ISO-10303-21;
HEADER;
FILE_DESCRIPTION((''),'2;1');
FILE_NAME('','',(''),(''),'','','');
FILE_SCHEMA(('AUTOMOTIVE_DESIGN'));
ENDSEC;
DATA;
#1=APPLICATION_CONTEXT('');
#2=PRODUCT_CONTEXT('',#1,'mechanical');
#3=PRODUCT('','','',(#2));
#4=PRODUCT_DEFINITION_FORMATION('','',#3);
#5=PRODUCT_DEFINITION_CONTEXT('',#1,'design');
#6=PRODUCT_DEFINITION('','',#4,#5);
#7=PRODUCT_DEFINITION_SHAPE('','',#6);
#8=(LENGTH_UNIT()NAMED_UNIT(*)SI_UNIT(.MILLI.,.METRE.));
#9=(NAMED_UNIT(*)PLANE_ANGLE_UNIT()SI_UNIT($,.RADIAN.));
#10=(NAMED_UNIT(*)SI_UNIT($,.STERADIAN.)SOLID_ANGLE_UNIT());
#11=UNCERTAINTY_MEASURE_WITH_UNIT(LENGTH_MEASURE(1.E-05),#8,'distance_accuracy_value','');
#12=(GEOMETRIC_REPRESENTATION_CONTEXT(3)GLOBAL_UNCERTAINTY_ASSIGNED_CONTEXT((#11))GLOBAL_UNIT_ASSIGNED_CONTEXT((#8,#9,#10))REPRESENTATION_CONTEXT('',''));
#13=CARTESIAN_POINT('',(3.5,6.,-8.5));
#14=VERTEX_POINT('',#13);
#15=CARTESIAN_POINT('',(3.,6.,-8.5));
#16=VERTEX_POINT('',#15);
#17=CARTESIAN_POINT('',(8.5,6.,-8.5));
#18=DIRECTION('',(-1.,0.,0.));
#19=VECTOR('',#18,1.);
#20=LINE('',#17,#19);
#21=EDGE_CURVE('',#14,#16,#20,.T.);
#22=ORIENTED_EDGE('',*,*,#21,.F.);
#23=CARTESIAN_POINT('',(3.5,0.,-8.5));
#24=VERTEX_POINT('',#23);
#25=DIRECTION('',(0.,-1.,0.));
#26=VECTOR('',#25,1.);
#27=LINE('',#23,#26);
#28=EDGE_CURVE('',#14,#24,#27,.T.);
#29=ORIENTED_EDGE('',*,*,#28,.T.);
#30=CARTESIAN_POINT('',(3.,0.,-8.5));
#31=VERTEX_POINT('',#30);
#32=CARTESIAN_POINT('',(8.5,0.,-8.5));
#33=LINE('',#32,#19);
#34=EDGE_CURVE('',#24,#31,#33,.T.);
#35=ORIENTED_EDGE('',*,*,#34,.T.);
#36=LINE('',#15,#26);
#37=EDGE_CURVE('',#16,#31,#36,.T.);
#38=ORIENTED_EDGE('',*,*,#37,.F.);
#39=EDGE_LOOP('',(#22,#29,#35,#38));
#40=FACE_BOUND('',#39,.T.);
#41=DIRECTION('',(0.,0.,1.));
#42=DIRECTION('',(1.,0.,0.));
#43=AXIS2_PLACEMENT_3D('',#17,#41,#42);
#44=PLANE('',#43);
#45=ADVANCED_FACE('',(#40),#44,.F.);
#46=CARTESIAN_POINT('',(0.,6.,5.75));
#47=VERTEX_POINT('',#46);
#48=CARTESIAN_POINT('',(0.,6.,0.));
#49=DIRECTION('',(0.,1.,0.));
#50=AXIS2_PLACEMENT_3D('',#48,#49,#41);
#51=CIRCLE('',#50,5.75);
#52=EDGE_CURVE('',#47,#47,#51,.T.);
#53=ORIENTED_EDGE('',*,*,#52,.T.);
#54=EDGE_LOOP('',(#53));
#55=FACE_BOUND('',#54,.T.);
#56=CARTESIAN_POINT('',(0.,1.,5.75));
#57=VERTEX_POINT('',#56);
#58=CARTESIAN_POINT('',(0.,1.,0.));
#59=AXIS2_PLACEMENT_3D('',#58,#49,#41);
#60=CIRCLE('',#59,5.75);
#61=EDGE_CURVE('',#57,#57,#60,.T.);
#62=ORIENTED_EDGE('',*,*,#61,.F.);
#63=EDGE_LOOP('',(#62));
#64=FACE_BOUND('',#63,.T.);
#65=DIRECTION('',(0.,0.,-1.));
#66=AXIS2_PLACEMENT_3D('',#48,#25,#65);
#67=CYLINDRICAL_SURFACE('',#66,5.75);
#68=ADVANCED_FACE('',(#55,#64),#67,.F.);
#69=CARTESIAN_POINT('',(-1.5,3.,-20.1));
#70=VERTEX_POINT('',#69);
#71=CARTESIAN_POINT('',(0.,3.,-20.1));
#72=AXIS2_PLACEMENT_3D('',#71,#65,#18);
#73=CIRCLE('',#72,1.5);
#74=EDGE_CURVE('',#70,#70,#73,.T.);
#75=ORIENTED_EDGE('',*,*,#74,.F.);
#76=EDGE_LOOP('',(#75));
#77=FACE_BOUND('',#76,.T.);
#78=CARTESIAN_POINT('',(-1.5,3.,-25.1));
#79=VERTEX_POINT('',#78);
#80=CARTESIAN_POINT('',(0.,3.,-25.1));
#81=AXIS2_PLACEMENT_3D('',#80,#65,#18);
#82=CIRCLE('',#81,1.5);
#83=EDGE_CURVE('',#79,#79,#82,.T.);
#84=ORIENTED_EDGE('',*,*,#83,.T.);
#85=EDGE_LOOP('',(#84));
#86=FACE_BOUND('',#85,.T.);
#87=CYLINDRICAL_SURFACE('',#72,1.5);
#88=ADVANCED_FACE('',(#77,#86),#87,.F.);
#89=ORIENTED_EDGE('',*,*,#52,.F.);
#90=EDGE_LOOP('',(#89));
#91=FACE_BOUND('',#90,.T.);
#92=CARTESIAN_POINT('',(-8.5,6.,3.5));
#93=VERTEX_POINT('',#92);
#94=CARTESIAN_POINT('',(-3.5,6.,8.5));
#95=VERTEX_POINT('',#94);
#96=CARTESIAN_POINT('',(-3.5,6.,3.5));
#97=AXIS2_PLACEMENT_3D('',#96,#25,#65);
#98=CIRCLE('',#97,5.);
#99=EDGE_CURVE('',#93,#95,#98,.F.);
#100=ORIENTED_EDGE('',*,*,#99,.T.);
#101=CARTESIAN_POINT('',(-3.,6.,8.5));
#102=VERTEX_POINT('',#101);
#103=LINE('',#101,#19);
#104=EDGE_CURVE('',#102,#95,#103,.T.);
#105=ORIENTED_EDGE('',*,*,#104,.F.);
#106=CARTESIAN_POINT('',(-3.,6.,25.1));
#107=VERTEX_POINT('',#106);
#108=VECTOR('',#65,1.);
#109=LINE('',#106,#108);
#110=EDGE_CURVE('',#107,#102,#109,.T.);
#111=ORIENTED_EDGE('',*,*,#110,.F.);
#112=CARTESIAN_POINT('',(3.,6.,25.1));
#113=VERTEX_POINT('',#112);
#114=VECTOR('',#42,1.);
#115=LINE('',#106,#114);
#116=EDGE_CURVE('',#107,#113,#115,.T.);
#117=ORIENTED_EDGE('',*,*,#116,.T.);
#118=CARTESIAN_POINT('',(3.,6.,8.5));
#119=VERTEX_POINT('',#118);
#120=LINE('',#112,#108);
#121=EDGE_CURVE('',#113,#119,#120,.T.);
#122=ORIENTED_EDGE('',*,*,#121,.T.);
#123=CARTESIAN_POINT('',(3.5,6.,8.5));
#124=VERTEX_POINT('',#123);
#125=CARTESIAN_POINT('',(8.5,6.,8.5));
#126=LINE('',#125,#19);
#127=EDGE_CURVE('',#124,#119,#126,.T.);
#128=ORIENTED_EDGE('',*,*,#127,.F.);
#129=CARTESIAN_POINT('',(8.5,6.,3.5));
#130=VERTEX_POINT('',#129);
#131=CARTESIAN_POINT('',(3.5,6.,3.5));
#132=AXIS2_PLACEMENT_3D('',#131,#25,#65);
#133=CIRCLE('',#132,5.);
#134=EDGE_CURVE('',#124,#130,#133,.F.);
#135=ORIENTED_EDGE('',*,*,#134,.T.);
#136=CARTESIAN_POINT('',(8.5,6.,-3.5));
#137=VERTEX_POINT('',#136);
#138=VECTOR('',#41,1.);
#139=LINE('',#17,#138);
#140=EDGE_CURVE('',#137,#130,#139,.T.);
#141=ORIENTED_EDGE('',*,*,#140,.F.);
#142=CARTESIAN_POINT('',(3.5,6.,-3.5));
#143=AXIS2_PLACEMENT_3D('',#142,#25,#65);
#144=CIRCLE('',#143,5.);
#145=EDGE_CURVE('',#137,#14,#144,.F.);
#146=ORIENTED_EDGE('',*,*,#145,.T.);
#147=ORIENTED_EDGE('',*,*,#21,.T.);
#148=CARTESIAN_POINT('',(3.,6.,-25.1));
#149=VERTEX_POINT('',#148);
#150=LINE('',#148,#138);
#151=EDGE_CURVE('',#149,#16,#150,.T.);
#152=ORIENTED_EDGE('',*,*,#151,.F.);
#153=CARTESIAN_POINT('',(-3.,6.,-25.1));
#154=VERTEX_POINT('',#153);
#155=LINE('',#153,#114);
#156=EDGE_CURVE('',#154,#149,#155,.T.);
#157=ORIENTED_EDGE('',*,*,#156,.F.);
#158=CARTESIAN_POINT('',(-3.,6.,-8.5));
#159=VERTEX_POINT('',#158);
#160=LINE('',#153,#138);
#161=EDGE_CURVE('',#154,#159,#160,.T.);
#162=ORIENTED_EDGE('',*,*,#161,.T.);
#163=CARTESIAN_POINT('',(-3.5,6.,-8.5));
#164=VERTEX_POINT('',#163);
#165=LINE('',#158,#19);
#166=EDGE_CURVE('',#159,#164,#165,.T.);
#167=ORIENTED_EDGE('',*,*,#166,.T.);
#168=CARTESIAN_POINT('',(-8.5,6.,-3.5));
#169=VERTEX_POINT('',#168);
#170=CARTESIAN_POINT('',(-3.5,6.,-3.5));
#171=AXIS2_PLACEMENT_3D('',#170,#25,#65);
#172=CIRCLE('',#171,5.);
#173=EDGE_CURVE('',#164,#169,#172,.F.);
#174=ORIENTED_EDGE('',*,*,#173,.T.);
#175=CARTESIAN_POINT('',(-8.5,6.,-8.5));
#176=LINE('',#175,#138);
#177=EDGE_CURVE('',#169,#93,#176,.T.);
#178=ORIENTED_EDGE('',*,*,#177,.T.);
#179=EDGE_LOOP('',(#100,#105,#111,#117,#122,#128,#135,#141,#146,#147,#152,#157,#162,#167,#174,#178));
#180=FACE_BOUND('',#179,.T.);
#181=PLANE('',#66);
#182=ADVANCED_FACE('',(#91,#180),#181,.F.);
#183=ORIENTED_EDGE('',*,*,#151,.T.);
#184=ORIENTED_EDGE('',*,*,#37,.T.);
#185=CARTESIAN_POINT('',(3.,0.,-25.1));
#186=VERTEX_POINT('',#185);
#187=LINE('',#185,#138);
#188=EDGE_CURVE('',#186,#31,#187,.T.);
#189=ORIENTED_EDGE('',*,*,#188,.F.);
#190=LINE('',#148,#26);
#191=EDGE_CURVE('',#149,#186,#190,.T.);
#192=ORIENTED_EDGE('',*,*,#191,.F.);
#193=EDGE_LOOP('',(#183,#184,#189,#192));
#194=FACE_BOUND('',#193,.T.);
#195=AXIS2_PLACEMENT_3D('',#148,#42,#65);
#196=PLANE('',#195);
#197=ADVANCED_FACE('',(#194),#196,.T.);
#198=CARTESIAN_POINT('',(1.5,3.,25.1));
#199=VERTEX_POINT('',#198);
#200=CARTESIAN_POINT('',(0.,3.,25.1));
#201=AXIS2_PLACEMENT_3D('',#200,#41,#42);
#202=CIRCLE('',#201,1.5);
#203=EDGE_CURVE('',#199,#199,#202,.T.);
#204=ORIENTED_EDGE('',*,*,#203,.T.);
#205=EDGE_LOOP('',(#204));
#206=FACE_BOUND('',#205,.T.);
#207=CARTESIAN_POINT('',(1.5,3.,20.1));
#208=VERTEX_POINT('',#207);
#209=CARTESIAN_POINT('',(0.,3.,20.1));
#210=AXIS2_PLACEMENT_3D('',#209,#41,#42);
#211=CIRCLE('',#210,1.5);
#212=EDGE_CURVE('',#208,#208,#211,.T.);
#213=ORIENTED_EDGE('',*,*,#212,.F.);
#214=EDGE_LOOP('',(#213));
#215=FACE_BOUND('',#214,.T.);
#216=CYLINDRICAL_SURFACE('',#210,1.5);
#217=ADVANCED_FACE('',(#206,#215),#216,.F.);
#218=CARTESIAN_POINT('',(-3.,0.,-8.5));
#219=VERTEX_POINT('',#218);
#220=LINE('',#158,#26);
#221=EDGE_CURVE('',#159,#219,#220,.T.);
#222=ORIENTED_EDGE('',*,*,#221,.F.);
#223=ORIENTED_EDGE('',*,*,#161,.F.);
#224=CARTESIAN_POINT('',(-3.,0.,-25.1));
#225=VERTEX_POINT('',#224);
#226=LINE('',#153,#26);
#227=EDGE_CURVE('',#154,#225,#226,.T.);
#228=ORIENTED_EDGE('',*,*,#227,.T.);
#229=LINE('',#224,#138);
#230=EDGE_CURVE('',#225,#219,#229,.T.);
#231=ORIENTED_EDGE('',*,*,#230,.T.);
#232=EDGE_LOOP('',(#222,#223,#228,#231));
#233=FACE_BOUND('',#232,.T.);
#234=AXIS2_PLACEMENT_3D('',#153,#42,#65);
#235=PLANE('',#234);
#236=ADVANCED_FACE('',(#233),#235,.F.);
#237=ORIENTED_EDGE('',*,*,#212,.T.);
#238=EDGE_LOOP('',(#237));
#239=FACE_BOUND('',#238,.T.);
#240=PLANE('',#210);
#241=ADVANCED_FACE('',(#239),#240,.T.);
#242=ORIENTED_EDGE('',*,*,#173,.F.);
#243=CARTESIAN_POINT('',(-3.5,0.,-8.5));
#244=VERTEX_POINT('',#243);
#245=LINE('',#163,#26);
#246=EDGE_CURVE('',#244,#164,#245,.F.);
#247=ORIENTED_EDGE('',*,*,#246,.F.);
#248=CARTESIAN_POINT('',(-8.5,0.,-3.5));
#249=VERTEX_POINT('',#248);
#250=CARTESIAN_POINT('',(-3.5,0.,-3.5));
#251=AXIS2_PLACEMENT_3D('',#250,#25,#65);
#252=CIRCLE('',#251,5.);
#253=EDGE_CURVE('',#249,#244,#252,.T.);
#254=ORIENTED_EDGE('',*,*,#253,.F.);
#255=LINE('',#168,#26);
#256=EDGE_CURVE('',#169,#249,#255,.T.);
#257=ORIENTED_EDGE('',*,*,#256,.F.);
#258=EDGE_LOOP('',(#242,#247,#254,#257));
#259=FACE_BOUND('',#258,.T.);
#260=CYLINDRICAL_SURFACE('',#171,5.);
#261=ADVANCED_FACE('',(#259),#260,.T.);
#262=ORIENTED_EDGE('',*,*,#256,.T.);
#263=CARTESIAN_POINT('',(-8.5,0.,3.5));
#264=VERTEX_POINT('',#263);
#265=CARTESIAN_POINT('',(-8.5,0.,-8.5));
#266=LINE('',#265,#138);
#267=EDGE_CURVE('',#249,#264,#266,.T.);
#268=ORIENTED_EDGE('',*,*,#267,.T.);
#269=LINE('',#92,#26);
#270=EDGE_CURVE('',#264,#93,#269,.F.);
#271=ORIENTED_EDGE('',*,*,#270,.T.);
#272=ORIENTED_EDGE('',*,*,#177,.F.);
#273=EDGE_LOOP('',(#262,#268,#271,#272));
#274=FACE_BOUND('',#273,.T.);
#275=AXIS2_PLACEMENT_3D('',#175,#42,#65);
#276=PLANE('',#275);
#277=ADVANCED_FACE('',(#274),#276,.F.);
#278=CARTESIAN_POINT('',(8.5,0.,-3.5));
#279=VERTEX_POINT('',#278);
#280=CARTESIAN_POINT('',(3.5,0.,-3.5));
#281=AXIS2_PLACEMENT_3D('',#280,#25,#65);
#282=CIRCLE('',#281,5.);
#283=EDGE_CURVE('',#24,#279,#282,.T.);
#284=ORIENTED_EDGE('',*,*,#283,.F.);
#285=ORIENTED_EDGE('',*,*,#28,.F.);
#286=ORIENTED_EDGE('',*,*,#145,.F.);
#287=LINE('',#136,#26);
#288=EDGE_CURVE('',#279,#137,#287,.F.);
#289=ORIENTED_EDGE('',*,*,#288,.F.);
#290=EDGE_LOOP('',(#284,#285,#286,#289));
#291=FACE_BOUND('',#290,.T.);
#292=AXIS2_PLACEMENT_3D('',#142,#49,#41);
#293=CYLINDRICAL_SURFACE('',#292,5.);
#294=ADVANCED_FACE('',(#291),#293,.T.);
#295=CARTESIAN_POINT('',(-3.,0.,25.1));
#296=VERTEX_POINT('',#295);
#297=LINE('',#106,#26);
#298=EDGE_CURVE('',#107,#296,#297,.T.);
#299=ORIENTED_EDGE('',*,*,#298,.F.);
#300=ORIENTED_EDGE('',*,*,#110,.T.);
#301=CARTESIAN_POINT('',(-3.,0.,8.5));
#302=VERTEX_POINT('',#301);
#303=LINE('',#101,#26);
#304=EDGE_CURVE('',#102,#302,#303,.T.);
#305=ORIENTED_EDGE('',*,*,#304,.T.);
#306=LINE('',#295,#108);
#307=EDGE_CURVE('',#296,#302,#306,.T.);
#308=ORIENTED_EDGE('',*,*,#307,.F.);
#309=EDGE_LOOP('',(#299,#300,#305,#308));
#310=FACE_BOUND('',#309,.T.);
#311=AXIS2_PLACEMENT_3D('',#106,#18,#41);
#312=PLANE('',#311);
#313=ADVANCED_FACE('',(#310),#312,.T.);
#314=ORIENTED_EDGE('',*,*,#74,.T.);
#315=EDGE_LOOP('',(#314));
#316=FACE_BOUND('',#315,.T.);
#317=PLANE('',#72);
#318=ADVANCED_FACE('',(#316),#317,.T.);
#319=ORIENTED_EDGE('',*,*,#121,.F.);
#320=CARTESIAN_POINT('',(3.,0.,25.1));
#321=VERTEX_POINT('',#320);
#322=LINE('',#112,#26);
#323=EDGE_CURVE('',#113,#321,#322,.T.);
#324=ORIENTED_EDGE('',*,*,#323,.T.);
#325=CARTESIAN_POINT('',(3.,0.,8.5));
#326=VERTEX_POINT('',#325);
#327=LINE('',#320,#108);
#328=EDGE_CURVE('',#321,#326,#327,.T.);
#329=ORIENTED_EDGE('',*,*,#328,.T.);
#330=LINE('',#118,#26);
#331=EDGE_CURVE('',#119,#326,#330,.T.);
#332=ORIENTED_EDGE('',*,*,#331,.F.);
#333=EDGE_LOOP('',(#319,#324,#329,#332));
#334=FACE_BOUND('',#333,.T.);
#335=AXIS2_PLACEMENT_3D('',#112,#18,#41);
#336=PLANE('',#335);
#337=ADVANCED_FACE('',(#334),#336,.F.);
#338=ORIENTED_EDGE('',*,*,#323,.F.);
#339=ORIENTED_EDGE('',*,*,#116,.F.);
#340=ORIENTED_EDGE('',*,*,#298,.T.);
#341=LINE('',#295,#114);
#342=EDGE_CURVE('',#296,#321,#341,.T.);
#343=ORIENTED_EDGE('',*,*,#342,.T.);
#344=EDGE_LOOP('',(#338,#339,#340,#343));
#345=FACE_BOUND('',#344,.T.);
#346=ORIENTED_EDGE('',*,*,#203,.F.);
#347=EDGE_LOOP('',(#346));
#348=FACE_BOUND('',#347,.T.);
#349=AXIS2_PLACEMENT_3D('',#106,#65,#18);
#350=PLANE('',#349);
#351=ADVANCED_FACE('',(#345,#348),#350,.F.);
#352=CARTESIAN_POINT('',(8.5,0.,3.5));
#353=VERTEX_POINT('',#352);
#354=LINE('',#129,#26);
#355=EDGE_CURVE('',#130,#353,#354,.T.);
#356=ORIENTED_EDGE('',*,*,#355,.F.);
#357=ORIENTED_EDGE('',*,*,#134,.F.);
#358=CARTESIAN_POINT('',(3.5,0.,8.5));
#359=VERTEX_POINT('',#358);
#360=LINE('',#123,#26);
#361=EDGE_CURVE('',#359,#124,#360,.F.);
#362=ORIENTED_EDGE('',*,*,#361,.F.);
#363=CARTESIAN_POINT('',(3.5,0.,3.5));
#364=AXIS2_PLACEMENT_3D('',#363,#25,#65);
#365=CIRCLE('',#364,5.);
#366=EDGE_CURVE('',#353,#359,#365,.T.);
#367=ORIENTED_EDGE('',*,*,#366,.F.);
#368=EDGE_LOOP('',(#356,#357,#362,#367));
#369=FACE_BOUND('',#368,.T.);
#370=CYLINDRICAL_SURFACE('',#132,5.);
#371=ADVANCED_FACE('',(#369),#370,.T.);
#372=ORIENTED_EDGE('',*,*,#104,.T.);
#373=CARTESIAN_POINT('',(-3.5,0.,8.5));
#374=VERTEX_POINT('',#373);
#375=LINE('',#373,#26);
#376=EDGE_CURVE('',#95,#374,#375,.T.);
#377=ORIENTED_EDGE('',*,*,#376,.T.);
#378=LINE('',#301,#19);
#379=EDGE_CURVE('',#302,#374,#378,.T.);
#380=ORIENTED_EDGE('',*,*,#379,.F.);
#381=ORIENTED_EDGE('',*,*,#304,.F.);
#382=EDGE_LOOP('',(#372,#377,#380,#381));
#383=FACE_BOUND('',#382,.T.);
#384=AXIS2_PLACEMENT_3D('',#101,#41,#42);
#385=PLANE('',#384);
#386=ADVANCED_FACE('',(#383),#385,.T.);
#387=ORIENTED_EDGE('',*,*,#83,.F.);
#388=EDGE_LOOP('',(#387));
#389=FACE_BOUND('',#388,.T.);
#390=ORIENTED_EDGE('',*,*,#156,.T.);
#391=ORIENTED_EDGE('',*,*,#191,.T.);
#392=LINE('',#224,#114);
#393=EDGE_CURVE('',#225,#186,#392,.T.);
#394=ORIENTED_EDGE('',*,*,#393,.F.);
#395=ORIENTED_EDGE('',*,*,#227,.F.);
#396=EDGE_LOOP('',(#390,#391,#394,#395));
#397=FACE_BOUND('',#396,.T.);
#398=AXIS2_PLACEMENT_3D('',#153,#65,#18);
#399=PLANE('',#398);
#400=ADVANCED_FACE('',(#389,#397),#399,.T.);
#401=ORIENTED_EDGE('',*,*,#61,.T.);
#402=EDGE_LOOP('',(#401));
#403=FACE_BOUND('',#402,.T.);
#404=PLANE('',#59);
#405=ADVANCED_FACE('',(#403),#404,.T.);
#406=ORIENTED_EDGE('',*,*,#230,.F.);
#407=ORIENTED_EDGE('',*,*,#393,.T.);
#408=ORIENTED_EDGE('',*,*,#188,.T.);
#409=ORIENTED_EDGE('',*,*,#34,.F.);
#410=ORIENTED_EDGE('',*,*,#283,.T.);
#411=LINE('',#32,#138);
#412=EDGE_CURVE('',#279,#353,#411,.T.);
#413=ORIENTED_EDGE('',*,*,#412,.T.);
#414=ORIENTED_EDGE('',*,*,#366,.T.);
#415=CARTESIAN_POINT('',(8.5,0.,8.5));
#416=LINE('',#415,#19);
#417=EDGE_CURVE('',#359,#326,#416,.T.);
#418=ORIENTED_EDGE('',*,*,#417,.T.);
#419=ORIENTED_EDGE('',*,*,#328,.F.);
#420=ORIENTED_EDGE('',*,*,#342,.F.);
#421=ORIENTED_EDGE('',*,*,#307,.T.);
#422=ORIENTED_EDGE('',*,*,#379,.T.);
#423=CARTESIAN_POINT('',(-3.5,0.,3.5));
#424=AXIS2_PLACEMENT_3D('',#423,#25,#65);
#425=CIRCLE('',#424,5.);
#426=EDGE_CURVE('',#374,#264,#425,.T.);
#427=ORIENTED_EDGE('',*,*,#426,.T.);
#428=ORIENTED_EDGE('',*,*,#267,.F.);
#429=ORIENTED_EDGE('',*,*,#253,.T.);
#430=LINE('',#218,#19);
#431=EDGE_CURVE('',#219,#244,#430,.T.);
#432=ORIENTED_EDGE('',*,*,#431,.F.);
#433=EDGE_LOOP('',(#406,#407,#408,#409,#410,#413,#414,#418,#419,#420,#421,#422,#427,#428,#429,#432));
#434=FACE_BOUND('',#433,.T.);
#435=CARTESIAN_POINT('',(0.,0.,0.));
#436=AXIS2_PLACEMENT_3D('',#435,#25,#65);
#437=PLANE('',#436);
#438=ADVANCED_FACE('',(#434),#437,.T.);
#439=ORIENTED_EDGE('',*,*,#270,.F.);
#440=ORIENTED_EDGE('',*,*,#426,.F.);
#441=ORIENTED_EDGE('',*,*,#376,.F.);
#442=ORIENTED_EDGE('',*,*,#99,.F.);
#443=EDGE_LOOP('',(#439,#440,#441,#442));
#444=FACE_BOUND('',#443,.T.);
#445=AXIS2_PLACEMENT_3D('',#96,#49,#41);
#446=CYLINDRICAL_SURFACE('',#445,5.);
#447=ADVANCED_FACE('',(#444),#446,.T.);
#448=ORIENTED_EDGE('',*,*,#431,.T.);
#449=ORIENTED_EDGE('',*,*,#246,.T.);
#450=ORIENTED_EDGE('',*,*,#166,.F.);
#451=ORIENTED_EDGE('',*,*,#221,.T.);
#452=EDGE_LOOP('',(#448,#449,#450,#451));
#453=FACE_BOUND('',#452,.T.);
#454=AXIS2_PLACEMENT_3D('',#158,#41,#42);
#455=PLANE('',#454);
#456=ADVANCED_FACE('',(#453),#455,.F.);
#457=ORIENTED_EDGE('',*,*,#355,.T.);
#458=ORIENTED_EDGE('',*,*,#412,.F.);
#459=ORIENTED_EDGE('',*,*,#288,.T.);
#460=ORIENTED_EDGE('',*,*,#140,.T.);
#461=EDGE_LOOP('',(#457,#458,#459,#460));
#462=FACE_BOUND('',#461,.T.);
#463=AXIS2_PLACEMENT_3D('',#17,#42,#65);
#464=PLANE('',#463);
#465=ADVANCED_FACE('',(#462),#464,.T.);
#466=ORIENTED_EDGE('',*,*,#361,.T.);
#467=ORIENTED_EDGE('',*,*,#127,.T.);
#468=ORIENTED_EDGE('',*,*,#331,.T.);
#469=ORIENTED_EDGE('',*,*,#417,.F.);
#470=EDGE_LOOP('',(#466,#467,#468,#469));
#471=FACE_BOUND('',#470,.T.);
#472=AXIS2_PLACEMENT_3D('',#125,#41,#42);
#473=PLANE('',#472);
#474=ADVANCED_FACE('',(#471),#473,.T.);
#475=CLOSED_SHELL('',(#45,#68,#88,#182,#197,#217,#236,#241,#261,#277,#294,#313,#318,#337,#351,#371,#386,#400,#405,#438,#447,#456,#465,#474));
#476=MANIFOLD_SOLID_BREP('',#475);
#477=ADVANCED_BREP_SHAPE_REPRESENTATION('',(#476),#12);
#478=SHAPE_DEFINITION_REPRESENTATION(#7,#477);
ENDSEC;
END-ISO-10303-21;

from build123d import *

# Parameters (mm, degrees)
SKETCH1_R           = 5.75
BOSS_EXTRUDE1_DEPTH = 6
SKETCH8_W           = 17
SKETCH8_H           = 17
BOSS_EXTRUDE6_DEPTH = 1
FILLET1_R           = 5
SKETCH9_R           = 1.5
CUT_EXTRUDE2_DEPTH  = 5
SKETCH10_R          = 1.5
CUT_EXTRUDE3_DEPTH  = 5


with BuildPart() as part:
    # Sketch1 → Boss-Extrude1 (new body)
    with BuildSketch(Plane(origin=(0, 0, 0), x_dir=(1, 0, 0), z_dir=(0, 1, 0))):
        Polygon((8.5, 8.5), (3, 8.5), (3, 25.1), (-3, 25.1), (-3, 8.5), (-8.5, 8.5), (-8.5, -8.5), (-3, -8.5), (-3, -25.1), (3, -25.1), (3, -8.5), (8.5, -8.5), align=None)
        Circle(SKETCH1_R, mode=Mode.SUBTRACT)
    extrude(amount=BOSS_EXTRUDE1_DEPTH)

    # Sketch8 → Boss-Extrude6 (add)
    with BuildSketch(Plane.XZ):
        Rectangle(SKETCH8_W, SKETCH8_H)
    extrude(amount=-BOSS_EXTRUDE6_DEPTH)

    # Fillet1
    fillet1_edges = [part.edges().sort_by_distance(p)[0] for p in [
        (8.5, 3, -8.5),
        (-8.5, 3, -8.5),
        (-8.5, 3, 8.5),
        (8.5, 3, 8.5),
    ]]
    fillet(fillet1_edges, radius=FILLET1_R)

    # Sketch9 → Cut-Extrude2 (cut)
    with BuildSketch(Plane(origin=(0, 0, -25.1), x_dir=(-1, 0, 0), z_dir=(0, 0, -1))):
        with Locations((0, 3)):
            Circle(SKETCH9_R)
    extrude(amount=-CUT_EXTRUDE2_DEPTH, mode=Mode.SUBTRACT)

    # Sketch10 → Cut-Extrude3 (cut)
    with BuildSketch(Plane.XY.offset(25.1)):
        with Locations((0, 3)):
            Circle(SKETCH10_R)
    extrude(amount=-CUT_EXTRUDE3_DEPTH, mode=Mode.SUBTRACT)


solid = part.part
